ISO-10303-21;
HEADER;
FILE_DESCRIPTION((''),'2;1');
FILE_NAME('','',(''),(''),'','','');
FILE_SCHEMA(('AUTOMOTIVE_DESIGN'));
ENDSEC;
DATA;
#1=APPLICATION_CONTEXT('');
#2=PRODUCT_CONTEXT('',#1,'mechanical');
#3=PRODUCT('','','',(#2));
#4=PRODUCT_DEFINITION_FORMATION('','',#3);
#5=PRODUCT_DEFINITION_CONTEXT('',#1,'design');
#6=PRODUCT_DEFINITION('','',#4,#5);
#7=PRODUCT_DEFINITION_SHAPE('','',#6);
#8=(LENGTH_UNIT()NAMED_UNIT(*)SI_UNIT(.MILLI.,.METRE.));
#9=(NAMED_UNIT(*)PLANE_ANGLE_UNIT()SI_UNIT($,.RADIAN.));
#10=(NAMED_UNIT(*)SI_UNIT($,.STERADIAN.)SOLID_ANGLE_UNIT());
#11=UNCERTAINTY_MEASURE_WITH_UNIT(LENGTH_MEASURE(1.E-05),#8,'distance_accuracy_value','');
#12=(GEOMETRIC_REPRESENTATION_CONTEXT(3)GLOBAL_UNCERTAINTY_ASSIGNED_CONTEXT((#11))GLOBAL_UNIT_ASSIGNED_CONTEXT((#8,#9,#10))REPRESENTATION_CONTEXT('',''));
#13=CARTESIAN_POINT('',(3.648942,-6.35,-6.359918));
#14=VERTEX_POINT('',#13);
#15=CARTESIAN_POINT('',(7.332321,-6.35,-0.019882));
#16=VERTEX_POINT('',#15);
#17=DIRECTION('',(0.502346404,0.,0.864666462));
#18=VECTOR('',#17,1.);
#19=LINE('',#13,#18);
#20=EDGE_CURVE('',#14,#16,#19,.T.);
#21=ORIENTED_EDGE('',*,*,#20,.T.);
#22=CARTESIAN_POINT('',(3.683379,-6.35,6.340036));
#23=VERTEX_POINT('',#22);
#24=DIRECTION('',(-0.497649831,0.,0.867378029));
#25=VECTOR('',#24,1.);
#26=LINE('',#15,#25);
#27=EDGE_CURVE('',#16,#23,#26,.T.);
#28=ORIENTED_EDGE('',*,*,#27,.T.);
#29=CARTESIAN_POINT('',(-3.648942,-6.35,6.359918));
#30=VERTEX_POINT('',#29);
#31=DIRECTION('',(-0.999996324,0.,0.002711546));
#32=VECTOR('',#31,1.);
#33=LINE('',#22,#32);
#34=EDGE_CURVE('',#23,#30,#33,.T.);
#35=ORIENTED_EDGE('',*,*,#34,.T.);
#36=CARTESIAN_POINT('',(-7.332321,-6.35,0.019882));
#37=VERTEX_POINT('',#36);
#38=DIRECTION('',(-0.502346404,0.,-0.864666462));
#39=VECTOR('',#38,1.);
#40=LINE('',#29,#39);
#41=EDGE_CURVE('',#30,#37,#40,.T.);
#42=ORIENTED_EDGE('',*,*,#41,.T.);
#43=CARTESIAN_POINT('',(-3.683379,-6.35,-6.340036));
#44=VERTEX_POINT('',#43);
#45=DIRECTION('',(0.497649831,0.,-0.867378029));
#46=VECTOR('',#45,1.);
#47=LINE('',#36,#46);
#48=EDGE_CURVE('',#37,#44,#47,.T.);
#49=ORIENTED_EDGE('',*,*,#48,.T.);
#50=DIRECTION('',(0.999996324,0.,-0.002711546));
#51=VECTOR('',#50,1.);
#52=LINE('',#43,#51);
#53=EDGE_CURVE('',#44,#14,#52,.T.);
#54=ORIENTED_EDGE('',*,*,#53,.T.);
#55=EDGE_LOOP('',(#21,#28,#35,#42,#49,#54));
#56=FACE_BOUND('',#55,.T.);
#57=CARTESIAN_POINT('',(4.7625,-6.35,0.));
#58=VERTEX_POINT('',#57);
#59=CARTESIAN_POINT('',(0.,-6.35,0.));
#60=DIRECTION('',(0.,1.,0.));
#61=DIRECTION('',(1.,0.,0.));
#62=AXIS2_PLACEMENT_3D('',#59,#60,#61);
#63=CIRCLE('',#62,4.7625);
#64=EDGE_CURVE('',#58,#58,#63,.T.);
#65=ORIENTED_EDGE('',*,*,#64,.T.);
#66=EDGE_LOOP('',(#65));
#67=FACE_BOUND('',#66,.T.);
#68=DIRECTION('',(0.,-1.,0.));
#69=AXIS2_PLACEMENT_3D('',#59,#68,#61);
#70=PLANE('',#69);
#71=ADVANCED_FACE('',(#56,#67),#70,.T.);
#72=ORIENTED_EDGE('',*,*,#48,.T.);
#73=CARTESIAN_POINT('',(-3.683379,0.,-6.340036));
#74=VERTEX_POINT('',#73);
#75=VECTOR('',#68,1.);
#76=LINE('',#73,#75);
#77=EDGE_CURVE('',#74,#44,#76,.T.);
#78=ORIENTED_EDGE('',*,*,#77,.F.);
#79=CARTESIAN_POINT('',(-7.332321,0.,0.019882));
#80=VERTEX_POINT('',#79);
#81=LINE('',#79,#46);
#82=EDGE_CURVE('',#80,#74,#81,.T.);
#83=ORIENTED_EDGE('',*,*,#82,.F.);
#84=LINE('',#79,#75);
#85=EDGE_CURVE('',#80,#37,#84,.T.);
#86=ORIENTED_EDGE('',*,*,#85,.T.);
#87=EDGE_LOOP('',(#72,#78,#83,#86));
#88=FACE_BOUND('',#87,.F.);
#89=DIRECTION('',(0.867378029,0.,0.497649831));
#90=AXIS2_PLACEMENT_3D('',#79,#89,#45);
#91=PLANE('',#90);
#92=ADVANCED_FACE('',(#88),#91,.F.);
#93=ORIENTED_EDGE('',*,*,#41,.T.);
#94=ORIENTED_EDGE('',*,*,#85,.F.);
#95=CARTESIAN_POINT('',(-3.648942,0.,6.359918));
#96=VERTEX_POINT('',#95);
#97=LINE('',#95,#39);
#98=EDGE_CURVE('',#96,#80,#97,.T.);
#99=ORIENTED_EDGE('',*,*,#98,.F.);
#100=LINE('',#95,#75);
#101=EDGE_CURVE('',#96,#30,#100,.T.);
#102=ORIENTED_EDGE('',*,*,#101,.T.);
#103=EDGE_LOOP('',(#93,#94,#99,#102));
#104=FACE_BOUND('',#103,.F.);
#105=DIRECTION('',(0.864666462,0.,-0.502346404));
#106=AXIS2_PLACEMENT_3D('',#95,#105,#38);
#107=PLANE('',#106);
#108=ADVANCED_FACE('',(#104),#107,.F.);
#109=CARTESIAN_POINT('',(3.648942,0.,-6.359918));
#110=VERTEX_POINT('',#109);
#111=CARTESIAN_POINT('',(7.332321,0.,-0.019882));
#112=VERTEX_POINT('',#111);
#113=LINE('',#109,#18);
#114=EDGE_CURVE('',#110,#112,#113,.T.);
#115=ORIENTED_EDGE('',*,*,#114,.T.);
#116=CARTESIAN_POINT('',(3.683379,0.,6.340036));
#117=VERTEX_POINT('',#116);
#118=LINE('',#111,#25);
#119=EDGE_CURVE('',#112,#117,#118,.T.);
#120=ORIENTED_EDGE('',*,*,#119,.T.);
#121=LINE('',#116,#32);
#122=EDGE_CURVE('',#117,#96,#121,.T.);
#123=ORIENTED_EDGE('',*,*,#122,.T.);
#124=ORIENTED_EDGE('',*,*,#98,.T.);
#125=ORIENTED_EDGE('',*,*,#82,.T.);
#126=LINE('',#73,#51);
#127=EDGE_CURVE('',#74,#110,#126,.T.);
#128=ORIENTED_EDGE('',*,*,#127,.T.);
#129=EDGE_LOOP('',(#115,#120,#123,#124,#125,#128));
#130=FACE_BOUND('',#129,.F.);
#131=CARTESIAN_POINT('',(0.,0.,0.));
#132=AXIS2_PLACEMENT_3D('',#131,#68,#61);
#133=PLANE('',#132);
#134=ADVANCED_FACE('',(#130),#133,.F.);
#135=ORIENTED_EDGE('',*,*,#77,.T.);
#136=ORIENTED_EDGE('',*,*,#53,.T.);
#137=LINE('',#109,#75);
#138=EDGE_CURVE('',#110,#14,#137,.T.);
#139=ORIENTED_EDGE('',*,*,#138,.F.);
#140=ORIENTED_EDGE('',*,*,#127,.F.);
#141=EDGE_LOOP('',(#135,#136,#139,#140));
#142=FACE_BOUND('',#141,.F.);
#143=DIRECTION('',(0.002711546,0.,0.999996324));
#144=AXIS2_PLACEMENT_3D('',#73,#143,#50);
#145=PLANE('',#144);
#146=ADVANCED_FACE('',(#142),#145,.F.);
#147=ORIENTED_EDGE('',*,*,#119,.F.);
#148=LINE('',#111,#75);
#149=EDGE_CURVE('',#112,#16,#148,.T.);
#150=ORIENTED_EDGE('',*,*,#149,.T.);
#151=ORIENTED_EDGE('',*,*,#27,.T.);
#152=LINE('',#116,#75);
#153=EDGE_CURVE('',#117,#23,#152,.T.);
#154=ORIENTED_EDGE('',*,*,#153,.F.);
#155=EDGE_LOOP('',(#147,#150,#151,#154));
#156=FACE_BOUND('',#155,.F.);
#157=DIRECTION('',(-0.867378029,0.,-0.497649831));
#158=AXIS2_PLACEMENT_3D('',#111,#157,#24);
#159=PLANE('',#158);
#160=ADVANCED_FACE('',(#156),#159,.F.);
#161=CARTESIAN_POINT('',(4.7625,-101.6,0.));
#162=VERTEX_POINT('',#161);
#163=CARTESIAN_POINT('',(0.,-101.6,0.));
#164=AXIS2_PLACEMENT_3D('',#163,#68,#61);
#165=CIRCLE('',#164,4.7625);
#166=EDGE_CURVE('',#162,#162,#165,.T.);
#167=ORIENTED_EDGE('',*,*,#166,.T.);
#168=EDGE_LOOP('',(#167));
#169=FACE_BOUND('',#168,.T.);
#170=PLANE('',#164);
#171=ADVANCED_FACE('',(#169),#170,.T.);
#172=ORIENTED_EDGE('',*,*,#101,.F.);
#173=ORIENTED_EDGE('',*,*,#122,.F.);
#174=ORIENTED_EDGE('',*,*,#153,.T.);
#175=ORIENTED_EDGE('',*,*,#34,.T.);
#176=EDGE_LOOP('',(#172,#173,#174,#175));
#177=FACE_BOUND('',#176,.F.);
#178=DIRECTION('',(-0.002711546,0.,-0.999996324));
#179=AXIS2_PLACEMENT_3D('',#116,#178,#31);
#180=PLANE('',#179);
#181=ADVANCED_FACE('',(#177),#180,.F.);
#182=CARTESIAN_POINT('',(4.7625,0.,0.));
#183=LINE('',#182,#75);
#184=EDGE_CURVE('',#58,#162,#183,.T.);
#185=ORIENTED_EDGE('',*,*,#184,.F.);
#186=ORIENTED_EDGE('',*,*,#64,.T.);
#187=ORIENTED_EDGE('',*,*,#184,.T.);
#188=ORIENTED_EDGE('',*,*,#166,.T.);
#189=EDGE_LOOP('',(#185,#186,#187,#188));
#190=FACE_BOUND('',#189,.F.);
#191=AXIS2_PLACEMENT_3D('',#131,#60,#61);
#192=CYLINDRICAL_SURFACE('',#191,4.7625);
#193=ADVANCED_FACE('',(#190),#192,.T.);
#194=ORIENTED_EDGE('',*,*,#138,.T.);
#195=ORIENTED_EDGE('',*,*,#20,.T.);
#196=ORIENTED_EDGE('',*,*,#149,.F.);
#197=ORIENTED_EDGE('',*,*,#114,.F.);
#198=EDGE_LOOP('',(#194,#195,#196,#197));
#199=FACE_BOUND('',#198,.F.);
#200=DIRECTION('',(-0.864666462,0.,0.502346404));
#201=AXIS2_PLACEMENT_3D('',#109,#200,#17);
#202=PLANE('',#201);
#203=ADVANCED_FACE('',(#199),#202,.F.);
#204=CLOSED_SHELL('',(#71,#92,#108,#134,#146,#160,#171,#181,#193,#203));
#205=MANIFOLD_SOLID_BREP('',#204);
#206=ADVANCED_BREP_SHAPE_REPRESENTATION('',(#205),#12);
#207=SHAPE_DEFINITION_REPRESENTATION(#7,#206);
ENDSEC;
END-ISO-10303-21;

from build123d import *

# Parameters (mm, degrees)
F0_R     = 4.7625
F1_DEPTH = 101.6
F3_DEPTH = 6.35


with BuildPart() as f1:
    # F0 (on Front) → F1 (new body)
    with BuildSketch(Plane.XZ):
        Circle(F0_R)
    extrude(amount=F1_DEPTH)

    # F2 (on Front) → F3 (join)
    with BuildSketch(Plane.XZ):
        Polygon((7.332321, -0.019882), (3.683379, 6.340036), (-3.648942, 6.359918), (-7.332321, 0.019882), (-3.683379, -6.340036), (3.648942, -6.359918), align=None)
    extrude(amount=F3_DEPTH)


solid = f1.part
